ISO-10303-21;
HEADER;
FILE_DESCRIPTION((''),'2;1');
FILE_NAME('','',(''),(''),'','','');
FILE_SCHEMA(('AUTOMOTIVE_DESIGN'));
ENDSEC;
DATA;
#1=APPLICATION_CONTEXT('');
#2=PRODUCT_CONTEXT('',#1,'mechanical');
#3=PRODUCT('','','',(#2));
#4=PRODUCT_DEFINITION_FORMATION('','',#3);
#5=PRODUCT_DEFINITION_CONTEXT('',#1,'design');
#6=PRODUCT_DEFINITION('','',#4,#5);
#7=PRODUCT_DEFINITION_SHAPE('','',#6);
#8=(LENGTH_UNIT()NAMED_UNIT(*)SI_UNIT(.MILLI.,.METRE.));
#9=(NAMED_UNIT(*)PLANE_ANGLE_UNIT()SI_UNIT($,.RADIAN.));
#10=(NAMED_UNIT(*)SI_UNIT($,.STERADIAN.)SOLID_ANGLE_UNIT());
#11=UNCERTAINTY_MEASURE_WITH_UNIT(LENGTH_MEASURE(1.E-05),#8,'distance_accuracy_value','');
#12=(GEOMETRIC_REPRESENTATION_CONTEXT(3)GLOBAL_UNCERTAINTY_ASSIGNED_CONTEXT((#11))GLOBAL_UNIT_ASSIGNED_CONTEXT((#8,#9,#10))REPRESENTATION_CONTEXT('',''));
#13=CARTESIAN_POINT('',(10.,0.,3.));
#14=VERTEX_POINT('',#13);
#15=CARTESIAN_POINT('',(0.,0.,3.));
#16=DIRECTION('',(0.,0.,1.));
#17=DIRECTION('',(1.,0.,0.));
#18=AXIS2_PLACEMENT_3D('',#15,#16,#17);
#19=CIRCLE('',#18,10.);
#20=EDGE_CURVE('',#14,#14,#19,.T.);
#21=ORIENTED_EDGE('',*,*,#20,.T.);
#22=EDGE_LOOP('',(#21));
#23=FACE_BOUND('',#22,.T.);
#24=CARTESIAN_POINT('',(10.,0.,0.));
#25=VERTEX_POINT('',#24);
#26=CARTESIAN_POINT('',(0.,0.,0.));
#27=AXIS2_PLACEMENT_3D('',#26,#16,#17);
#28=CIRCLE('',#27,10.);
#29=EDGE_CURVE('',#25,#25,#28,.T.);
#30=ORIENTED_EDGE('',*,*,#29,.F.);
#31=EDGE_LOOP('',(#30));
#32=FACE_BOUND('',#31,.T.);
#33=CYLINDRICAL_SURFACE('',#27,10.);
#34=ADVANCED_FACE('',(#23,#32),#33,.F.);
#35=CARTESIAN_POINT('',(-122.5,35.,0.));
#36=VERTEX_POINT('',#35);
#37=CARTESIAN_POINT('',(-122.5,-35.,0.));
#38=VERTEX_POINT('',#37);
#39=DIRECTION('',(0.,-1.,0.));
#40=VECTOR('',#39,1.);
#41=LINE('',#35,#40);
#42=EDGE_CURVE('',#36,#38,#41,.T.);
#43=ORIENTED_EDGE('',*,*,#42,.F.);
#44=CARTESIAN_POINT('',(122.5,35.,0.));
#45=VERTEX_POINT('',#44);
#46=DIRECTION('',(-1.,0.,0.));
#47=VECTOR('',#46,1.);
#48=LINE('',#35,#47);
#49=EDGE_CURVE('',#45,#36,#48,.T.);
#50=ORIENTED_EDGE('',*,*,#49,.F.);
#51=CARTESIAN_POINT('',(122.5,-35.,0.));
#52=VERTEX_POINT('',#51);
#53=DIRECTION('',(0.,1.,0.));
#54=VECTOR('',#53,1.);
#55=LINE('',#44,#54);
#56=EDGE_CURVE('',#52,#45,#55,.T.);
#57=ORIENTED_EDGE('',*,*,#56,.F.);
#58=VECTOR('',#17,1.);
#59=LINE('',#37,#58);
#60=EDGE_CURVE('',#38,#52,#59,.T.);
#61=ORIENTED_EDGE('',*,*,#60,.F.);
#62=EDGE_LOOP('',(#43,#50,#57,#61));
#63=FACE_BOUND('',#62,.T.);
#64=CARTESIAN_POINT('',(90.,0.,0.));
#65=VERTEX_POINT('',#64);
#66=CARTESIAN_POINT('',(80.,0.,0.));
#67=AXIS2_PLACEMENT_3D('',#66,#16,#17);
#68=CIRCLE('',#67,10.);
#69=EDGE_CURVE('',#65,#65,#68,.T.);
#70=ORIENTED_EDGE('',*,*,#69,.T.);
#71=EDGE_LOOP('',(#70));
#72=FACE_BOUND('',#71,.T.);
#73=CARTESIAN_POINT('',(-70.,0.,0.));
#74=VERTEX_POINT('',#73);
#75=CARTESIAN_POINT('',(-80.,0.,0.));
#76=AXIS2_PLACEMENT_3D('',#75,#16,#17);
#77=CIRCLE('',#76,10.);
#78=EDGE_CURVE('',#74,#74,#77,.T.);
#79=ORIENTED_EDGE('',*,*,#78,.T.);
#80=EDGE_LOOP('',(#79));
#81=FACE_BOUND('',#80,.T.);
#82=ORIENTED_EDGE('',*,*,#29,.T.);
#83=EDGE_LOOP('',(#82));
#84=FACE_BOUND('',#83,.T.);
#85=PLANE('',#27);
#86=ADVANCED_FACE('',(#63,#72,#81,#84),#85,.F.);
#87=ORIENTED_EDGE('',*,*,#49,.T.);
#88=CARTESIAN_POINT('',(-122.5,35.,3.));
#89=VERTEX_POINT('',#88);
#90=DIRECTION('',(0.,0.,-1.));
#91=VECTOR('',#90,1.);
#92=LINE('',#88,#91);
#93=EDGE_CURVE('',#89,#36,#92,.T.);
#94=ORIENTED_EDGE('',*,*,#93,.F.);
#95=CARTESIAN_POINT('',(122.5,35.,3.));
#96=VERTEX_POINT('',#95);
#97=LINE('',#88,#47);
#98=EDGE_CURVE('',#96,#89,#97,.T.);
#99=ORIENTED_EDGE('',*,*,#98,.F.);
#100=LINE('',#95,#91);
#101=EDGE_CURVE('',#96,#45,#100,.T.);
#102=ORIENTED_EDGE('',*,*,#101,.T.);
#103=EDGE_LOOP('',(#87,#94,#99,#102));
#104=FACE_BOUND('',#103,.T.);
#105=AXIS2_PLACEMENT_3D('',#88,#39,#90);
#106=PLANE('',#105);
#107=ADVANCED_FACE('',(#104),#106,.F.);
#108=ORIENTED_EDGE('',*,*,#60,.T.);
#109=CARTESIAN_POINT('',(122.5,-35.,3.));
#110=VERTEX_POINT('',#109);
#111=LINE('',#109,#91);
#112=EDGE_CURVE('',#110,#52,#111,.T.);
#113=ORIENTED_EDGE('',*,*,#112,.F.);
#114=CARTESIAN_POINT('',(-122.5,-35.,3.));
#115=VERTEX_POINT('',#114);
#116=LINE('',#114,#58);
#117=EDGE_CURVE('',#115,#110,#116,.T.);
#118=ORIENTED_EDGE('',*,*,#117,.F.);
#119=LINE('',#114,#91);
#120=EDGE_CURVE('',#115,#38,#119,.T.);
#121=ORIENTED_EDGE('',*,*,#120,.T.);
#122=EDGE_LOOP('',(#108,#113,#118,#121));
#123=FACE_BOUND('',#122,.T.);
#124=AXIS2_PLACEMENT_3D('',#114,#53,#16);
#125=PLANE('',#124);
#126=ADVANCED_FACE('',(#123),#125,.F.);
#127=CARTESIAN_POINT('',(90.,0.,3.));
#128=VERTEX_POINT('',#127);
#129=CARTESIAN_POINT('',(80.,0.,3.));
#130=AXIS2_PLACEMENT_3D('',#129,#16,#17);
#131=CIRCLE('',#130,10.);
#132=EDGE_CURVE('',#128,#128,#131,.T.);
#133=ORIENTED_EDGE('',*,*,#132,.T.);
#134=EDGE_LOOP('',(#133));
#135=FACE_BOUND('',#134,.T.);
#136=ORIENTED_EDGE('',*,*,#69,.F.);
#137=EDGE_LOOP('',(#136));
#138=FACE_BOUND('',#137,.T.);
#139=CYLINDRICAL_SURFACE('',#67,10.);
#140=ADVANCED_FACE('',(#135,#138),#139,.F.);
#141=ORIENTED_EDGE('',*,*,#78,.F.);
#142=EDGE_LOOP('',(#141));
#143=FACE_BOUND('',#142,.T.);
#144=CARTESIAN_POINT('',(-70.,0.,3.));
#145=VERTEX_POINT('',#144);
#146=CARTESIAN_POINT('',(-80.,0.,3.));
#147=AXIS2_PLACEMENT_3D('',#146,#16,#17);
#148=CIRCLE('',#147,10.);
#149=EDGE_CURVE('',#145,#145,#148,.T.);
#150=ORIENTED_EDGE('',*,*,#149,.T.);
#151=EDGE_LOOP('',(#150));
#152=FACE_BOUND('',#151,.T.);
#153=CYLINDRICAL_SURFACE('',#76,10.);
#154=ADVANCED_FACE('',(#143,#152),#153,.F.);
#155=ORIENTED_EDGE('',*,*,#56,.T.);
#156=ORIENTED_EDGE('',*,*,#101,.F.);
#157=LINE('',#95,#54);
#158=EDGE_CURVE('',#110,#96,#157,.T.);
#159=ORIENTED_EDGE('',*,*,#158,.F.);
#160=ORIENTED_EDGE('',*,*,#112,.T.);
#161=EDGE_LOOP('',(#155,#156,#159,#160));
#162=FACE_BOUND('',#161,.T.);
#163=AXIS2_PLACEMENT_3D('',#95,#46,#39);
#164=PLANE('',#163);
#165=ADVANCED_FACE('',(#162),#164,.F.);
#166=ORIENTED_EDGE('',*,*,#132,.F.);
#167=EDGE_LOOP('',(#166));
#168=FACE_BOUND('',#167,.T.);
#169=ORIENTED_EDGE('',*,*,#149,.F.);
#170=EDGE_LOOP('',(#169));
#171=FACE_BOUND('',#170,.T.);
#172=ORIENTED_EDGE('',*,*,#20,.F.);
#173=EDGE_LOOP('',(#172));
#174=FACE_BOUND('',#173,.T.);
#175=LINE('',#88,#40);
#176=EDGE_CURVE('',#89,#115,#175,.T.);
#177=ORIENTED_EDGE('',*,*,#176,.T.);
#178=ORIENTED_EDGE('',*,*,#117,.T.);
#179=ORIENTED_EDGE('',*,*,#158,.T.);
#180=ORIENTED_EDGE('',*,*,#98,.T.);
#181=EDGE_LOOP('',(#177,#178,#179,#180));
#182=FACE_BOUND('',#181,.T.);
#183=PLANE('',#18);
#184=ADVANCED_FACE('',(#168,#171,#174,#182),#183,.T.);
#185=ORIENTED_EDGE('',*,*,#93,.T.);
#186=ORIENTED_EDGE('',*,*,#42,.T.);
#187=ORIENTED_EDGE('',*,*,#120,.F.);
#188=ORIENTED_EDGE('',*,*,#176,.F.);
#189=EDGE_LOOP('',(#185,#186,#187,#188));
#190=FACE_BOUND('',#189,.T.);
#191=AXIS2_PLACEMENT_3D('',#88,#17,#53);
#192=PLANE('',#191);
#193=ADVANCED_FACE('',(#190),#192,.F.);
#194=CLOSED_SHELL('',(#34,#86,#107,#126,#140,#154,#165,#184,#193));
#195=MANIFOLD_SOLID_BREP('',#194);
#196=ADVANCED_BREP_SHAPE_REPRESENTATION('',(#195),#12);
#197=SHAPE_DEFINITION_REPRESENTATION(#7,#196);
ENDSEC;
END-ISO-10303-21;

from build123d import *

# Parameters (mm, degrees)
SKETCH1_W           = 245
SKETCH1_H           = 70
BOSS_EXTRUDE1_DEPTH = 3
SKETCH2_R           = 10
CUT_EXTRUDE1_DEPTH  = 3


with BuildPart() as part:
    # Sketch1 → Boss-Extrude1 (new body)
    with BuildSketch(Plane.XY):
        Rectangle(SKETCH1_W, SKETCH1_H)
    extrude(amount=BOSS_EXTRUDE1_DEPTH)

    # Sketch2 → Cut-Extrude1 (cut)
    with BuildSketch(Plane.XY.offset(3)):
        with Locations((-80, 0)):
            Circle(SKETCH2_R)
        Circle(SKETCH2_R)
        with Locations((80, 0)):
            Circle(SKETCH2_R)
    extrude(amount=-CUT_EXTRUDE1_DEPTH, mode=Mode.SUBTRACT)


solid = part.part
